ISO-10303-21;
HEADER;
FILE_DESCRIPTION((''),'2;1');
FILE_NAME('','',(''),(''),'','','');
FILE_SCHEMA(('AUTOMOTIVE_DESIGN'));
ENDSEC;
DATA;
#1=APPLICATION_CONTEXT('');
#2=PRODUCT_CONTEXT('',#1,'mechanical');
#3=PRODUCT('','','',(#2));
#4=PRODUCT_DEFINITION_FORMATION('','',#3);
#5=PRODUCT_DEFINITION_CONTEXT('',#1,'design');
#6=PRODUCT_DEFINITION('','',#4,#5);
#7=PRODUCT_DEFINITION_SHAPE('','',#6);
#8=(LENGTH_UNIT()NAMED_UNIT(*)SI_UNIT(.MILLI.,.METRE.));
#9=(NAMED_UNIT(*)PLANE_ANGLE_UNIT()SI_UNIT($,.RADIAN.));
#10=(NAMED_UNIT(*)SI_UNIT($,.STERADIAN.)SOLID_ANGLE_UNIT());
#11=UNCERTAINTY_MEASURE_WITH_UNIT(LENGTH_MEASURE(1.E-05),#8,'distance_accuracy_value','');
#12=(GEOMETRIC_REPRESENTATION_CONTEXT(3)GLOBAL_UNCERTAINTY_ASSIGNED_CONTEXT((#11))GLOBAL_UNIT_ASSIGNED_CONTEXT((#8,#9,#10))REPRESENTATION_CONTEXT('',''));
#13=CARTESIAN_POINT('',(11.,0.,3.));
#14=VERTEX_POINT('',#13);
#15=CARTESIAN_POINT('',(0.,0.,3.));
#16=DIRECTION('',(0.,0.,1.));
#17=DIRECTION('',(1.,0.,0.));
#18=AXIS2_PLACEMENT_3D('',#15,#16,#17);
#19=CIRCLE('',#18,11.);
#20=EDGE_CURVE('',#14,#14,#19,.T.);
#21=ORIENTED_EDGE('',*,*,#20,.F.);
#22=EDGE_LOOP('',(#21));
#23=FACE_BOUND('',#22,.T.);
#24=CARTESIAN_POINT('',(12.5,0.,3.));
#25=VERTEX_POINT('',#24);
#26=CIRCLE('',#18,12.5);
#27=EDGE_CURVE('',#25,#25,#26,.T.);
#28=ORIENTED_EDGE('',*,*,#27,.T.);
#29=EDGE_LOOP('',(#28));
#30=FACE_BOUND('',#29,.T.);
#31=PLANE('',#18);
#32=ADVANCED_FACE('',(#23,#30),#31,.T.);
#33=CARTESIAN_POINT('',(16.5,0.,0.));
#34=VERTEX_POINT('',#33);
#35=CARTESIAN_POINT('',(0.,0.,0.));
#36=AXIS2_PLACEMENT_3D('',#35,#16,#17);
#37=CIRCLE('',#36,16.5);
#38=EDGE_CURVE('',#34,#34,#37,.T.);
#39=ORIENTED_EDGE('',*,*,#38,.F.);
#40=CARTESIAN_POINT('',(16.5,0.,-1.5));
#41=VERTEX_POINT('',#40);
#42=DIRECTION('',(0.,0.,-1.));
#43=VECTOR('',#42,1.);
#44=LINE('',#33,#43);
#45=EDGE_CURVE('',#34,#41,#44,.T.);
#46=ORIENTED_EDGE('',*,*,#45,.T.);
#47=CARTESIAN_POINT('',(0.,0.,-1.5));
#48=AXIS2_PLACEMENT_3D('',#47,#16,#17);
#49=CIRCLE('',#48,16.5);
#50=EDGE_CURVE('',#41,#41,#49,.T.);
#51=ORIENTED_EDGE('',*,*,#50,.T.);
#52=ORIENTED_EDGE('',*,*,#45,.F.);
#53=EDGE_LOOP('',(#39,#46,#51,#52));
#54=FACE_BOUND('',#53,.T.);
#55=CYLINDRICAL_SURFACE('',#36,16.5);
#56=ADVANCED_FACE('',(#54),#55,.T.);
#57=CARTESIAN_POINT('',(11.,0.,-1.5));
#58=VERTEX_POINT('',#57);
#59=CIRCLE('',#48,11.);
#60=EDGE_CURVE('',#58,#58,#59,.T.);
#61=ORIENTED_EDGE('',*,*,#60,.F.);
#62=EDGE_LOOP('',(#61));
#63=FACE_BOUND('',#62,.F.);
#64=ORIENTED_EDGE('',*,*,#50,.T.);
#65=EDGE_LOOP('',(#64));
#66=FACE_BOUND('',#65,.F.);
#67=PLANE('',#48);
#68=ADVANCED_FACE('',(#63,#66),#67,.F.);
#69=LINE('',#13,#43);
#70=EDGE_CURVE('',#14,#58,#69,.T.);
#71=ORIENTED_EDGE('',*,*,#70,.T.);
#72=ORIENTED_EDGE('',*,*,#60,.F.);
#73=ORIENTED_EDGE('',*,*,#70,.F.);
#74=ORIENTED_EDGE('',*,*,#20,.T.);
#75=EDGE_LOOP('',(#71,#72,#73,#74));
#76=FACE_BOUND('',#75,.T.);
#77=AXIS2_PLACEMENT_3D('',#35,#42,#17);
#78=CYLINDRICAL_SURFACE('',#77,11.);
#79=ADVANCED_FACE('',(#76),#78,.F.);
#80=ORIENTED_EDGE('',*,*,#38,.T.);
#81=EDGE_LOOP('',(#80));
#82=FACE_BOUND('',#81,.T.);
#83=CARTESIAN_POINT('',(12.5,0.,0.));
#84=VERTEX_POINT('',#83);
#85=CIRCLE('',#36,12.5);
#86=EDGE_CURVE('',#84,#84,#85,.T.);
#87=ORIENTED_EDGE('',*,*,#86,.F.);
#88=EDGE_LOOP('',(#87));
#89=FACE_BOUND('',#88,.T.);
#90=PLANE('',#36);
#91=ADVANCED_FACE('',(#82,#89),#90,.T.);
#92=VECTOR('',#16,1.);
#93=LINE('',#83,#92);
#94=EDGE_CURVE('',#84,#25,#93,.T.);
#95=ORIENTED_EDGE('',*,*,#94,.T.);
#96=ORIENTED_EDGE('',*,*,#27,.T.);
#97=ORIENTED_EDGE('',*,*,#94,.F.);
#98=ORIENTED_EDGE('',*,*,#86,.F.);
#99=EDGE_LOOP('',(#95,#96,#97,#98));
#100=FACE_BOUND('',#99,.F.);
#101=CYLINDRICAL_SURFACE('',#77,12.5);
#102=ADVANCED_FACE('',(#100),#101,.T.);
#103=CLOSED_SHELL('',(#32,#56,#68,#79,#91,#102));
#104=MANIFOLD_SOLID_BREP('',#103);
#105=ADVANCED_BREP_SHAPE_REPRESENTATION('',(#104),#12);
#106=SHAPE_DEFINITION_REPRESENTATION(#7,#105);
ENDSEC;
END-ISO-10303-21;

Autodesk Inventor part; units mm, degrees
ref_plane "YZ Plane" through (0, 0, 0) normal (1, 0, 0) x (0, 1, 0)
ref_plane "XZ Plane" through (0, 0, 0) normal (0, 1, 0) x (-1, 0, 0)
ref_plane "XY Plane" through (0, 0, 0) normal (0, 0, 1) x (1, 0, 0)
sketch "スケッチ1" plane through (0, 0, 0) normal (0, 0, 1) x (1, 0, 0)
  circle A0 centre (0, 0) radius 11
  circle A1 centre (0, 0) radius 12.5
  circle A2 centre (0, 0) radius 16.5
  dimension "d0" = 22
  dimension "d1" = 25
  dimension "d2" = 33
extrude "押し出し1" add sketch "スケッチ1" along normal blind 3 contours A1
extrude "押し出し2" add sketch "スケッチ1" against normal blind 1.5 contours A1 | A2
properties part number "ドライメット　内径22　フランジ付き" material "鋼"
